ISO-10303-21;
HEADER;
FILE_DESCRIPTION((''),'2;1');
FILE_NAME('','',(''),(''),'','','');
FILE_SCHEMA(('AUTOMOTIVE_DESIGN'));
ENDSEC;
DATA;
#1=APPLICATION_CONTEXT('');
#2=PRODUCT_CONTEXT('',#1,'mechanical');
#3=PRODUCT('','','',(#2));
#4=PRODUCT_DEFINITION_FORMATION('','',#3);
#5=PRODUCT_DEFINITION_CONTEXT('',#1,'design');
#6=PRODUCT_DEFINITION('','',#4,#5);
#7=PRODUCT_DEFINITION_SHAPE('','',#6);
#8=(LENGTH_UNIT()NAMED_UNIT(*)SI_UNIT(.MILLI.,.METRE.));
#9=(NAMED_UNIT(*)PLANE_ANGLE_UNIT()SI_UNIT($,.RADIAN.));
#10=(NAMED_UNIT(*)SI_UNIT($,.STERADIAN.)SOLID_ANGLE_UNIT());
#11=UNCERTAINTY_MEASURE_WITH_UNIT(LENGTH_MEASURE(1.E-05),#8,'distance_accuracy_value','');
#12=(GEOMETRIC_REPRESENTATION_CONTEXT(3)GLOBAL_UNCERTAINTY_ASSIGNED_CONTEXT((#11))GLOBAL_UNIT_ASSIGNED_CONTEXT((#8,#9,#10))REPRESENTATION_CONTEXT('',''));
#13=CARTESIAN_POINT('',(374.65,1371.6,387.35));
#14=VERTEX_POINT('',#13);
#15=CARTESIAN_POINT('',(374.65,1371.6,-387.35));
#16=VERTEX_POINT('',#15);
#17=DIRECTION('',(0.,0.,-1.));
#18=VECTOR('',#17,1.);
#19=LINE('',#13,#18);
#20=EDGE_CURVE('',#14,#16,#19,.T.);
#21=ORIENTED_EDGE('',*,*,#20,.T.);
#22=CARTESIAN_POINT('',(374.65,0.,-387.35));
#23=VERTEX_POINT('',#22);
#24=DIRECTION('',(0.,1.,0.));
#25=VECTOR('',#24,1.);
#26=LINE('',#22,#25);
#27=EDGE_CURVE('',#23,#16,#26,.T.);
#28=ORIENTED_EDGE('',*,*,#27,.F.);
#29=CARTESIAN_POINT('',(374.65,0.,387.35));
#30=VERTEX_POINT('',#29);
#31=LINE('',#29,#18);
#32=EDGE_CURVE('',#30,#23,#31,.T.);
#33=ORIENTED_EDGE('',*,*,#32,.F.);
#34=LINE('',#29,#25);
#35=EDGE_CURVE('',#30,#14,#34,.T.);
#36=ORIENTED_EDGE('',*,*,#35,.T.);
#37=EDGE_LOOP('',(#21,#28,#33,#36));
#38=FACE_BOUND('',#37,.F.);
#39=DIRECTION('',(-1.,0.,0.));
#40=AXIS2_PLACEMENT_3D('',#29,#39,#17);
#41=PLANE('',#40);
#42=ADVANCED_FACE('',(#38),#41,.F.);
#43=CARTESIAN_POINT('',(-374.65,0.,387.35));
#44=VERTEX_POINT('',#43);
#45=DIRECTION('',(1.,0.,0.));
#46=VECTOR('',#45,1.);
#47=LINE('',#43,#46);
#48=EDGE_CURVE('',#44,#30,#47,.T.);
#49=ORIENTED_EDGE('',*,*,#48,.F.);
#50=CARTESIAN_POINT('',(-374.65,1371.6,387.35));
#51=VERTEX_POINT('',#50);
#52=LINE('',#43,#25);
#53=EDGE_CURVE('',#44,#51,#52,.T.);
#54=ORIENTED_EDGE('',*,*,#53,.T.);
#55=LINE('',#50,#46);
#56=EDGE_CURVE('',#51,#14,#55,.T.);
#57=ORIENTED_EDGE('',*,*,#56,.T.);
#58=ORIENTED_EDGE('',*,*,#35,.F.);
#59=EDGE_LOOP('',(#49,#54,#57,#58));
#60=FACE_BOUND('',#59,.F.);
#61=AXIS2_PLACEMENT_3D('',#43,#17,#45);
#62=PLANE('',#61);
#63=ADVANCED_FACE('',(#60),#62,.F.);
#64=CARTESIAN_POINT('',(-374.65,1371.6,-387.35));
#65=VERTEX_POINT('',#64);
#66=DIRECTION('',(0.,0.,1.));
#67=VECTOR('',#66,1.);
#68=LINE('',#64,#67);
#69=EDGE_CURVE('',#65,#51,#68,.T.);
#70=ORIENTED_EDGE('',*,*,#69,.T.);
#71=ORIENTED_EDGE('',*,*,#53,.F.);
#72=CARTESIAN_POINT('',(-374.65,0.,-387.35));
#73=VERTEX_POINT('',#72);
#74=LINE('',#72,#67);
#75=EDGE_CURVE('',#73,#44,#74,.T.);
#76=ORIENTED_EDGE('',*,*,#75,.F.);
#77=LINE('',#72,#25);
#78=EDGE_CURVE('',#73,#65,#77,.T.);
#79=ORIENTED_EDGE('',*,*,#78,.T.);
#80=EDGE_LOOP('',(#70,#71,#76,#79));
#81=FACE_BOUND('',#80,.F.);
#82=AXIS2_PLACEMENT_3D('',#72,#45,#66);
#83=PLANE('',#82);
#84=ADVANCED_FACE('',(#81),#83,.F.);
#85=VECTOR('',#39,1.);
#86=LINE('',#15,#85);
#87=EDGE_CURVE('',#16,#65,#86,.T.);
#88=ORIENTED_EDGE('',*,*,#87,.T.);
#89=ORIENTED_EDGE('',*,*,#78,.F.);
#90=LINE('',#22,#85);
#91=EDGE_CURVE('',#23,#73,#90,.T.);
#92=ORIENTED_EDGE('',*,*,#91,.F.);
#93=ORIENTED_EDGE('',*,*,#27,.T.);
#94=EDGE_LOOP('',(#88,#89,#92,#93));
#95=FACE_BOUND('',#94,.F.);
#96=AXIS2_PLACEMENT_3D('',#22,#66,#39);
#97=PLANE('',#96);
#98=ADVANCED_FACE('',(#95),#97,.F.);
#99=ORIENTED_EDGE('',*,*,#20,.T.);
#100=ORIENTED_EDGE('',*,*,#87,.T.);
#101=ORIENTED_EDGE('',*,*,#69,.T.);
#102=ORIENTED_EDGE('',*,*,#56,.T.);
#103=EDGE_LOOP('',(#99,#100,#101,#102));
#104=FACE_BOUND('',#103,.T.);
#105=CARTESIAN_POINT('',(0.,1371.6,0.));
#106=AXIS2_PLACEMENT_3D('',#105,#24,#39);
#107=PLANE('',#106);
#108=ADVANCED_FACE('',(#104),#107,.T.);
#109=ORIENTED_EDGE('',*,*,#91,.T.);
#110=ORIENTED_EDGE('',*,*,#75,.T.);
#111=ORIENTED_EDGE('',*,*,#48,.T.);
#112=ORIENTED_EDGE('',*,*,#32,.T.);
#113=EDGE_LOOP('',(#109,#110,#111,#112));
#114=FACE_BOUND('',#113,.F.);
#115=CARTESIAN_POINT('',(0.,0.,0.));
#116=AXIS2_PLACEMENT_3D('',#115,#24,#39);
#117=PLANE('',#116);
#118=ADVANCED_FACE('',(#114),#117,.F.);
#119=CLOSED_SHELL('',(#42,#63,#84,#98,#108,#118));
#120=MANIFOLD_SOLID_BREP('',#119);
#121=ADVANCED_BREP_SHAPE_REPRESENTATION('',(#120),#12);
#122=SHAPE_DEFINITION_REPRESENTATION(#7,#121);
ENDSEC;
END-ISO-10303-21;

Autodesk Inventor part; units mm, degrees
ref_plane "YZ Plane" through (0, 0, 0) normal (1, 0, 0) x (0, 1, 0)
ref_plane "XZ Plane" through (0, 0, 0) normal (0, 1, 0) x (-1, 0, 0)
ref_plane "XY Plane" through (0, 0, 0) normal (0, 0, 1) x (1, 0, 0)
sketch "Sketch1" plane through (0, 0, 0) normal (0, 1, 0) x (-1, 0, 0)
  line L0 (374.65, 387.35) -> (-374.65, 387.35)
  line L1 (-374.65, 387.35) -> (-374.65, -387.35)
  line L2 (-374.65, -387.35) -> (374.65, -387.35)
  line L3 (374.65, -387.35) -> (374.65, 387.35)
  line L4 (374.65, 387.35) -> (-374.65, -387.35) construction
  line L5 (-374.65, 387.35) -> (374.65, -387.35) construction
  point P0 (0, 0)
  dimension "d0" = 774.7
  dimension "d1" = 749.3
extrude "Extrusion1" add sketch "Sketch1" along normal blind 1371.6
equation "\"d0\" = maxVolumeLength"
equation "\"d1\" = maxVolumeWidth"
equation "\"d2\" = maxVolumeHeight"
equation "\"robotWidth\" = -robotLength + 0.5 * perimeter"
equation "\"robotLength\" = 774.7"
equation "\"maxVolumeWidth\" = robotWidth"
equation "\"maxVolumeLength\" = robotLength"
equation "\"maxVolumeHeight\" = 1371.6"
equation "\"perimeter\" = 3048"
properties part number "maxAllowedVolumeForStartingPose" material "Polycarbonate, Clear"
